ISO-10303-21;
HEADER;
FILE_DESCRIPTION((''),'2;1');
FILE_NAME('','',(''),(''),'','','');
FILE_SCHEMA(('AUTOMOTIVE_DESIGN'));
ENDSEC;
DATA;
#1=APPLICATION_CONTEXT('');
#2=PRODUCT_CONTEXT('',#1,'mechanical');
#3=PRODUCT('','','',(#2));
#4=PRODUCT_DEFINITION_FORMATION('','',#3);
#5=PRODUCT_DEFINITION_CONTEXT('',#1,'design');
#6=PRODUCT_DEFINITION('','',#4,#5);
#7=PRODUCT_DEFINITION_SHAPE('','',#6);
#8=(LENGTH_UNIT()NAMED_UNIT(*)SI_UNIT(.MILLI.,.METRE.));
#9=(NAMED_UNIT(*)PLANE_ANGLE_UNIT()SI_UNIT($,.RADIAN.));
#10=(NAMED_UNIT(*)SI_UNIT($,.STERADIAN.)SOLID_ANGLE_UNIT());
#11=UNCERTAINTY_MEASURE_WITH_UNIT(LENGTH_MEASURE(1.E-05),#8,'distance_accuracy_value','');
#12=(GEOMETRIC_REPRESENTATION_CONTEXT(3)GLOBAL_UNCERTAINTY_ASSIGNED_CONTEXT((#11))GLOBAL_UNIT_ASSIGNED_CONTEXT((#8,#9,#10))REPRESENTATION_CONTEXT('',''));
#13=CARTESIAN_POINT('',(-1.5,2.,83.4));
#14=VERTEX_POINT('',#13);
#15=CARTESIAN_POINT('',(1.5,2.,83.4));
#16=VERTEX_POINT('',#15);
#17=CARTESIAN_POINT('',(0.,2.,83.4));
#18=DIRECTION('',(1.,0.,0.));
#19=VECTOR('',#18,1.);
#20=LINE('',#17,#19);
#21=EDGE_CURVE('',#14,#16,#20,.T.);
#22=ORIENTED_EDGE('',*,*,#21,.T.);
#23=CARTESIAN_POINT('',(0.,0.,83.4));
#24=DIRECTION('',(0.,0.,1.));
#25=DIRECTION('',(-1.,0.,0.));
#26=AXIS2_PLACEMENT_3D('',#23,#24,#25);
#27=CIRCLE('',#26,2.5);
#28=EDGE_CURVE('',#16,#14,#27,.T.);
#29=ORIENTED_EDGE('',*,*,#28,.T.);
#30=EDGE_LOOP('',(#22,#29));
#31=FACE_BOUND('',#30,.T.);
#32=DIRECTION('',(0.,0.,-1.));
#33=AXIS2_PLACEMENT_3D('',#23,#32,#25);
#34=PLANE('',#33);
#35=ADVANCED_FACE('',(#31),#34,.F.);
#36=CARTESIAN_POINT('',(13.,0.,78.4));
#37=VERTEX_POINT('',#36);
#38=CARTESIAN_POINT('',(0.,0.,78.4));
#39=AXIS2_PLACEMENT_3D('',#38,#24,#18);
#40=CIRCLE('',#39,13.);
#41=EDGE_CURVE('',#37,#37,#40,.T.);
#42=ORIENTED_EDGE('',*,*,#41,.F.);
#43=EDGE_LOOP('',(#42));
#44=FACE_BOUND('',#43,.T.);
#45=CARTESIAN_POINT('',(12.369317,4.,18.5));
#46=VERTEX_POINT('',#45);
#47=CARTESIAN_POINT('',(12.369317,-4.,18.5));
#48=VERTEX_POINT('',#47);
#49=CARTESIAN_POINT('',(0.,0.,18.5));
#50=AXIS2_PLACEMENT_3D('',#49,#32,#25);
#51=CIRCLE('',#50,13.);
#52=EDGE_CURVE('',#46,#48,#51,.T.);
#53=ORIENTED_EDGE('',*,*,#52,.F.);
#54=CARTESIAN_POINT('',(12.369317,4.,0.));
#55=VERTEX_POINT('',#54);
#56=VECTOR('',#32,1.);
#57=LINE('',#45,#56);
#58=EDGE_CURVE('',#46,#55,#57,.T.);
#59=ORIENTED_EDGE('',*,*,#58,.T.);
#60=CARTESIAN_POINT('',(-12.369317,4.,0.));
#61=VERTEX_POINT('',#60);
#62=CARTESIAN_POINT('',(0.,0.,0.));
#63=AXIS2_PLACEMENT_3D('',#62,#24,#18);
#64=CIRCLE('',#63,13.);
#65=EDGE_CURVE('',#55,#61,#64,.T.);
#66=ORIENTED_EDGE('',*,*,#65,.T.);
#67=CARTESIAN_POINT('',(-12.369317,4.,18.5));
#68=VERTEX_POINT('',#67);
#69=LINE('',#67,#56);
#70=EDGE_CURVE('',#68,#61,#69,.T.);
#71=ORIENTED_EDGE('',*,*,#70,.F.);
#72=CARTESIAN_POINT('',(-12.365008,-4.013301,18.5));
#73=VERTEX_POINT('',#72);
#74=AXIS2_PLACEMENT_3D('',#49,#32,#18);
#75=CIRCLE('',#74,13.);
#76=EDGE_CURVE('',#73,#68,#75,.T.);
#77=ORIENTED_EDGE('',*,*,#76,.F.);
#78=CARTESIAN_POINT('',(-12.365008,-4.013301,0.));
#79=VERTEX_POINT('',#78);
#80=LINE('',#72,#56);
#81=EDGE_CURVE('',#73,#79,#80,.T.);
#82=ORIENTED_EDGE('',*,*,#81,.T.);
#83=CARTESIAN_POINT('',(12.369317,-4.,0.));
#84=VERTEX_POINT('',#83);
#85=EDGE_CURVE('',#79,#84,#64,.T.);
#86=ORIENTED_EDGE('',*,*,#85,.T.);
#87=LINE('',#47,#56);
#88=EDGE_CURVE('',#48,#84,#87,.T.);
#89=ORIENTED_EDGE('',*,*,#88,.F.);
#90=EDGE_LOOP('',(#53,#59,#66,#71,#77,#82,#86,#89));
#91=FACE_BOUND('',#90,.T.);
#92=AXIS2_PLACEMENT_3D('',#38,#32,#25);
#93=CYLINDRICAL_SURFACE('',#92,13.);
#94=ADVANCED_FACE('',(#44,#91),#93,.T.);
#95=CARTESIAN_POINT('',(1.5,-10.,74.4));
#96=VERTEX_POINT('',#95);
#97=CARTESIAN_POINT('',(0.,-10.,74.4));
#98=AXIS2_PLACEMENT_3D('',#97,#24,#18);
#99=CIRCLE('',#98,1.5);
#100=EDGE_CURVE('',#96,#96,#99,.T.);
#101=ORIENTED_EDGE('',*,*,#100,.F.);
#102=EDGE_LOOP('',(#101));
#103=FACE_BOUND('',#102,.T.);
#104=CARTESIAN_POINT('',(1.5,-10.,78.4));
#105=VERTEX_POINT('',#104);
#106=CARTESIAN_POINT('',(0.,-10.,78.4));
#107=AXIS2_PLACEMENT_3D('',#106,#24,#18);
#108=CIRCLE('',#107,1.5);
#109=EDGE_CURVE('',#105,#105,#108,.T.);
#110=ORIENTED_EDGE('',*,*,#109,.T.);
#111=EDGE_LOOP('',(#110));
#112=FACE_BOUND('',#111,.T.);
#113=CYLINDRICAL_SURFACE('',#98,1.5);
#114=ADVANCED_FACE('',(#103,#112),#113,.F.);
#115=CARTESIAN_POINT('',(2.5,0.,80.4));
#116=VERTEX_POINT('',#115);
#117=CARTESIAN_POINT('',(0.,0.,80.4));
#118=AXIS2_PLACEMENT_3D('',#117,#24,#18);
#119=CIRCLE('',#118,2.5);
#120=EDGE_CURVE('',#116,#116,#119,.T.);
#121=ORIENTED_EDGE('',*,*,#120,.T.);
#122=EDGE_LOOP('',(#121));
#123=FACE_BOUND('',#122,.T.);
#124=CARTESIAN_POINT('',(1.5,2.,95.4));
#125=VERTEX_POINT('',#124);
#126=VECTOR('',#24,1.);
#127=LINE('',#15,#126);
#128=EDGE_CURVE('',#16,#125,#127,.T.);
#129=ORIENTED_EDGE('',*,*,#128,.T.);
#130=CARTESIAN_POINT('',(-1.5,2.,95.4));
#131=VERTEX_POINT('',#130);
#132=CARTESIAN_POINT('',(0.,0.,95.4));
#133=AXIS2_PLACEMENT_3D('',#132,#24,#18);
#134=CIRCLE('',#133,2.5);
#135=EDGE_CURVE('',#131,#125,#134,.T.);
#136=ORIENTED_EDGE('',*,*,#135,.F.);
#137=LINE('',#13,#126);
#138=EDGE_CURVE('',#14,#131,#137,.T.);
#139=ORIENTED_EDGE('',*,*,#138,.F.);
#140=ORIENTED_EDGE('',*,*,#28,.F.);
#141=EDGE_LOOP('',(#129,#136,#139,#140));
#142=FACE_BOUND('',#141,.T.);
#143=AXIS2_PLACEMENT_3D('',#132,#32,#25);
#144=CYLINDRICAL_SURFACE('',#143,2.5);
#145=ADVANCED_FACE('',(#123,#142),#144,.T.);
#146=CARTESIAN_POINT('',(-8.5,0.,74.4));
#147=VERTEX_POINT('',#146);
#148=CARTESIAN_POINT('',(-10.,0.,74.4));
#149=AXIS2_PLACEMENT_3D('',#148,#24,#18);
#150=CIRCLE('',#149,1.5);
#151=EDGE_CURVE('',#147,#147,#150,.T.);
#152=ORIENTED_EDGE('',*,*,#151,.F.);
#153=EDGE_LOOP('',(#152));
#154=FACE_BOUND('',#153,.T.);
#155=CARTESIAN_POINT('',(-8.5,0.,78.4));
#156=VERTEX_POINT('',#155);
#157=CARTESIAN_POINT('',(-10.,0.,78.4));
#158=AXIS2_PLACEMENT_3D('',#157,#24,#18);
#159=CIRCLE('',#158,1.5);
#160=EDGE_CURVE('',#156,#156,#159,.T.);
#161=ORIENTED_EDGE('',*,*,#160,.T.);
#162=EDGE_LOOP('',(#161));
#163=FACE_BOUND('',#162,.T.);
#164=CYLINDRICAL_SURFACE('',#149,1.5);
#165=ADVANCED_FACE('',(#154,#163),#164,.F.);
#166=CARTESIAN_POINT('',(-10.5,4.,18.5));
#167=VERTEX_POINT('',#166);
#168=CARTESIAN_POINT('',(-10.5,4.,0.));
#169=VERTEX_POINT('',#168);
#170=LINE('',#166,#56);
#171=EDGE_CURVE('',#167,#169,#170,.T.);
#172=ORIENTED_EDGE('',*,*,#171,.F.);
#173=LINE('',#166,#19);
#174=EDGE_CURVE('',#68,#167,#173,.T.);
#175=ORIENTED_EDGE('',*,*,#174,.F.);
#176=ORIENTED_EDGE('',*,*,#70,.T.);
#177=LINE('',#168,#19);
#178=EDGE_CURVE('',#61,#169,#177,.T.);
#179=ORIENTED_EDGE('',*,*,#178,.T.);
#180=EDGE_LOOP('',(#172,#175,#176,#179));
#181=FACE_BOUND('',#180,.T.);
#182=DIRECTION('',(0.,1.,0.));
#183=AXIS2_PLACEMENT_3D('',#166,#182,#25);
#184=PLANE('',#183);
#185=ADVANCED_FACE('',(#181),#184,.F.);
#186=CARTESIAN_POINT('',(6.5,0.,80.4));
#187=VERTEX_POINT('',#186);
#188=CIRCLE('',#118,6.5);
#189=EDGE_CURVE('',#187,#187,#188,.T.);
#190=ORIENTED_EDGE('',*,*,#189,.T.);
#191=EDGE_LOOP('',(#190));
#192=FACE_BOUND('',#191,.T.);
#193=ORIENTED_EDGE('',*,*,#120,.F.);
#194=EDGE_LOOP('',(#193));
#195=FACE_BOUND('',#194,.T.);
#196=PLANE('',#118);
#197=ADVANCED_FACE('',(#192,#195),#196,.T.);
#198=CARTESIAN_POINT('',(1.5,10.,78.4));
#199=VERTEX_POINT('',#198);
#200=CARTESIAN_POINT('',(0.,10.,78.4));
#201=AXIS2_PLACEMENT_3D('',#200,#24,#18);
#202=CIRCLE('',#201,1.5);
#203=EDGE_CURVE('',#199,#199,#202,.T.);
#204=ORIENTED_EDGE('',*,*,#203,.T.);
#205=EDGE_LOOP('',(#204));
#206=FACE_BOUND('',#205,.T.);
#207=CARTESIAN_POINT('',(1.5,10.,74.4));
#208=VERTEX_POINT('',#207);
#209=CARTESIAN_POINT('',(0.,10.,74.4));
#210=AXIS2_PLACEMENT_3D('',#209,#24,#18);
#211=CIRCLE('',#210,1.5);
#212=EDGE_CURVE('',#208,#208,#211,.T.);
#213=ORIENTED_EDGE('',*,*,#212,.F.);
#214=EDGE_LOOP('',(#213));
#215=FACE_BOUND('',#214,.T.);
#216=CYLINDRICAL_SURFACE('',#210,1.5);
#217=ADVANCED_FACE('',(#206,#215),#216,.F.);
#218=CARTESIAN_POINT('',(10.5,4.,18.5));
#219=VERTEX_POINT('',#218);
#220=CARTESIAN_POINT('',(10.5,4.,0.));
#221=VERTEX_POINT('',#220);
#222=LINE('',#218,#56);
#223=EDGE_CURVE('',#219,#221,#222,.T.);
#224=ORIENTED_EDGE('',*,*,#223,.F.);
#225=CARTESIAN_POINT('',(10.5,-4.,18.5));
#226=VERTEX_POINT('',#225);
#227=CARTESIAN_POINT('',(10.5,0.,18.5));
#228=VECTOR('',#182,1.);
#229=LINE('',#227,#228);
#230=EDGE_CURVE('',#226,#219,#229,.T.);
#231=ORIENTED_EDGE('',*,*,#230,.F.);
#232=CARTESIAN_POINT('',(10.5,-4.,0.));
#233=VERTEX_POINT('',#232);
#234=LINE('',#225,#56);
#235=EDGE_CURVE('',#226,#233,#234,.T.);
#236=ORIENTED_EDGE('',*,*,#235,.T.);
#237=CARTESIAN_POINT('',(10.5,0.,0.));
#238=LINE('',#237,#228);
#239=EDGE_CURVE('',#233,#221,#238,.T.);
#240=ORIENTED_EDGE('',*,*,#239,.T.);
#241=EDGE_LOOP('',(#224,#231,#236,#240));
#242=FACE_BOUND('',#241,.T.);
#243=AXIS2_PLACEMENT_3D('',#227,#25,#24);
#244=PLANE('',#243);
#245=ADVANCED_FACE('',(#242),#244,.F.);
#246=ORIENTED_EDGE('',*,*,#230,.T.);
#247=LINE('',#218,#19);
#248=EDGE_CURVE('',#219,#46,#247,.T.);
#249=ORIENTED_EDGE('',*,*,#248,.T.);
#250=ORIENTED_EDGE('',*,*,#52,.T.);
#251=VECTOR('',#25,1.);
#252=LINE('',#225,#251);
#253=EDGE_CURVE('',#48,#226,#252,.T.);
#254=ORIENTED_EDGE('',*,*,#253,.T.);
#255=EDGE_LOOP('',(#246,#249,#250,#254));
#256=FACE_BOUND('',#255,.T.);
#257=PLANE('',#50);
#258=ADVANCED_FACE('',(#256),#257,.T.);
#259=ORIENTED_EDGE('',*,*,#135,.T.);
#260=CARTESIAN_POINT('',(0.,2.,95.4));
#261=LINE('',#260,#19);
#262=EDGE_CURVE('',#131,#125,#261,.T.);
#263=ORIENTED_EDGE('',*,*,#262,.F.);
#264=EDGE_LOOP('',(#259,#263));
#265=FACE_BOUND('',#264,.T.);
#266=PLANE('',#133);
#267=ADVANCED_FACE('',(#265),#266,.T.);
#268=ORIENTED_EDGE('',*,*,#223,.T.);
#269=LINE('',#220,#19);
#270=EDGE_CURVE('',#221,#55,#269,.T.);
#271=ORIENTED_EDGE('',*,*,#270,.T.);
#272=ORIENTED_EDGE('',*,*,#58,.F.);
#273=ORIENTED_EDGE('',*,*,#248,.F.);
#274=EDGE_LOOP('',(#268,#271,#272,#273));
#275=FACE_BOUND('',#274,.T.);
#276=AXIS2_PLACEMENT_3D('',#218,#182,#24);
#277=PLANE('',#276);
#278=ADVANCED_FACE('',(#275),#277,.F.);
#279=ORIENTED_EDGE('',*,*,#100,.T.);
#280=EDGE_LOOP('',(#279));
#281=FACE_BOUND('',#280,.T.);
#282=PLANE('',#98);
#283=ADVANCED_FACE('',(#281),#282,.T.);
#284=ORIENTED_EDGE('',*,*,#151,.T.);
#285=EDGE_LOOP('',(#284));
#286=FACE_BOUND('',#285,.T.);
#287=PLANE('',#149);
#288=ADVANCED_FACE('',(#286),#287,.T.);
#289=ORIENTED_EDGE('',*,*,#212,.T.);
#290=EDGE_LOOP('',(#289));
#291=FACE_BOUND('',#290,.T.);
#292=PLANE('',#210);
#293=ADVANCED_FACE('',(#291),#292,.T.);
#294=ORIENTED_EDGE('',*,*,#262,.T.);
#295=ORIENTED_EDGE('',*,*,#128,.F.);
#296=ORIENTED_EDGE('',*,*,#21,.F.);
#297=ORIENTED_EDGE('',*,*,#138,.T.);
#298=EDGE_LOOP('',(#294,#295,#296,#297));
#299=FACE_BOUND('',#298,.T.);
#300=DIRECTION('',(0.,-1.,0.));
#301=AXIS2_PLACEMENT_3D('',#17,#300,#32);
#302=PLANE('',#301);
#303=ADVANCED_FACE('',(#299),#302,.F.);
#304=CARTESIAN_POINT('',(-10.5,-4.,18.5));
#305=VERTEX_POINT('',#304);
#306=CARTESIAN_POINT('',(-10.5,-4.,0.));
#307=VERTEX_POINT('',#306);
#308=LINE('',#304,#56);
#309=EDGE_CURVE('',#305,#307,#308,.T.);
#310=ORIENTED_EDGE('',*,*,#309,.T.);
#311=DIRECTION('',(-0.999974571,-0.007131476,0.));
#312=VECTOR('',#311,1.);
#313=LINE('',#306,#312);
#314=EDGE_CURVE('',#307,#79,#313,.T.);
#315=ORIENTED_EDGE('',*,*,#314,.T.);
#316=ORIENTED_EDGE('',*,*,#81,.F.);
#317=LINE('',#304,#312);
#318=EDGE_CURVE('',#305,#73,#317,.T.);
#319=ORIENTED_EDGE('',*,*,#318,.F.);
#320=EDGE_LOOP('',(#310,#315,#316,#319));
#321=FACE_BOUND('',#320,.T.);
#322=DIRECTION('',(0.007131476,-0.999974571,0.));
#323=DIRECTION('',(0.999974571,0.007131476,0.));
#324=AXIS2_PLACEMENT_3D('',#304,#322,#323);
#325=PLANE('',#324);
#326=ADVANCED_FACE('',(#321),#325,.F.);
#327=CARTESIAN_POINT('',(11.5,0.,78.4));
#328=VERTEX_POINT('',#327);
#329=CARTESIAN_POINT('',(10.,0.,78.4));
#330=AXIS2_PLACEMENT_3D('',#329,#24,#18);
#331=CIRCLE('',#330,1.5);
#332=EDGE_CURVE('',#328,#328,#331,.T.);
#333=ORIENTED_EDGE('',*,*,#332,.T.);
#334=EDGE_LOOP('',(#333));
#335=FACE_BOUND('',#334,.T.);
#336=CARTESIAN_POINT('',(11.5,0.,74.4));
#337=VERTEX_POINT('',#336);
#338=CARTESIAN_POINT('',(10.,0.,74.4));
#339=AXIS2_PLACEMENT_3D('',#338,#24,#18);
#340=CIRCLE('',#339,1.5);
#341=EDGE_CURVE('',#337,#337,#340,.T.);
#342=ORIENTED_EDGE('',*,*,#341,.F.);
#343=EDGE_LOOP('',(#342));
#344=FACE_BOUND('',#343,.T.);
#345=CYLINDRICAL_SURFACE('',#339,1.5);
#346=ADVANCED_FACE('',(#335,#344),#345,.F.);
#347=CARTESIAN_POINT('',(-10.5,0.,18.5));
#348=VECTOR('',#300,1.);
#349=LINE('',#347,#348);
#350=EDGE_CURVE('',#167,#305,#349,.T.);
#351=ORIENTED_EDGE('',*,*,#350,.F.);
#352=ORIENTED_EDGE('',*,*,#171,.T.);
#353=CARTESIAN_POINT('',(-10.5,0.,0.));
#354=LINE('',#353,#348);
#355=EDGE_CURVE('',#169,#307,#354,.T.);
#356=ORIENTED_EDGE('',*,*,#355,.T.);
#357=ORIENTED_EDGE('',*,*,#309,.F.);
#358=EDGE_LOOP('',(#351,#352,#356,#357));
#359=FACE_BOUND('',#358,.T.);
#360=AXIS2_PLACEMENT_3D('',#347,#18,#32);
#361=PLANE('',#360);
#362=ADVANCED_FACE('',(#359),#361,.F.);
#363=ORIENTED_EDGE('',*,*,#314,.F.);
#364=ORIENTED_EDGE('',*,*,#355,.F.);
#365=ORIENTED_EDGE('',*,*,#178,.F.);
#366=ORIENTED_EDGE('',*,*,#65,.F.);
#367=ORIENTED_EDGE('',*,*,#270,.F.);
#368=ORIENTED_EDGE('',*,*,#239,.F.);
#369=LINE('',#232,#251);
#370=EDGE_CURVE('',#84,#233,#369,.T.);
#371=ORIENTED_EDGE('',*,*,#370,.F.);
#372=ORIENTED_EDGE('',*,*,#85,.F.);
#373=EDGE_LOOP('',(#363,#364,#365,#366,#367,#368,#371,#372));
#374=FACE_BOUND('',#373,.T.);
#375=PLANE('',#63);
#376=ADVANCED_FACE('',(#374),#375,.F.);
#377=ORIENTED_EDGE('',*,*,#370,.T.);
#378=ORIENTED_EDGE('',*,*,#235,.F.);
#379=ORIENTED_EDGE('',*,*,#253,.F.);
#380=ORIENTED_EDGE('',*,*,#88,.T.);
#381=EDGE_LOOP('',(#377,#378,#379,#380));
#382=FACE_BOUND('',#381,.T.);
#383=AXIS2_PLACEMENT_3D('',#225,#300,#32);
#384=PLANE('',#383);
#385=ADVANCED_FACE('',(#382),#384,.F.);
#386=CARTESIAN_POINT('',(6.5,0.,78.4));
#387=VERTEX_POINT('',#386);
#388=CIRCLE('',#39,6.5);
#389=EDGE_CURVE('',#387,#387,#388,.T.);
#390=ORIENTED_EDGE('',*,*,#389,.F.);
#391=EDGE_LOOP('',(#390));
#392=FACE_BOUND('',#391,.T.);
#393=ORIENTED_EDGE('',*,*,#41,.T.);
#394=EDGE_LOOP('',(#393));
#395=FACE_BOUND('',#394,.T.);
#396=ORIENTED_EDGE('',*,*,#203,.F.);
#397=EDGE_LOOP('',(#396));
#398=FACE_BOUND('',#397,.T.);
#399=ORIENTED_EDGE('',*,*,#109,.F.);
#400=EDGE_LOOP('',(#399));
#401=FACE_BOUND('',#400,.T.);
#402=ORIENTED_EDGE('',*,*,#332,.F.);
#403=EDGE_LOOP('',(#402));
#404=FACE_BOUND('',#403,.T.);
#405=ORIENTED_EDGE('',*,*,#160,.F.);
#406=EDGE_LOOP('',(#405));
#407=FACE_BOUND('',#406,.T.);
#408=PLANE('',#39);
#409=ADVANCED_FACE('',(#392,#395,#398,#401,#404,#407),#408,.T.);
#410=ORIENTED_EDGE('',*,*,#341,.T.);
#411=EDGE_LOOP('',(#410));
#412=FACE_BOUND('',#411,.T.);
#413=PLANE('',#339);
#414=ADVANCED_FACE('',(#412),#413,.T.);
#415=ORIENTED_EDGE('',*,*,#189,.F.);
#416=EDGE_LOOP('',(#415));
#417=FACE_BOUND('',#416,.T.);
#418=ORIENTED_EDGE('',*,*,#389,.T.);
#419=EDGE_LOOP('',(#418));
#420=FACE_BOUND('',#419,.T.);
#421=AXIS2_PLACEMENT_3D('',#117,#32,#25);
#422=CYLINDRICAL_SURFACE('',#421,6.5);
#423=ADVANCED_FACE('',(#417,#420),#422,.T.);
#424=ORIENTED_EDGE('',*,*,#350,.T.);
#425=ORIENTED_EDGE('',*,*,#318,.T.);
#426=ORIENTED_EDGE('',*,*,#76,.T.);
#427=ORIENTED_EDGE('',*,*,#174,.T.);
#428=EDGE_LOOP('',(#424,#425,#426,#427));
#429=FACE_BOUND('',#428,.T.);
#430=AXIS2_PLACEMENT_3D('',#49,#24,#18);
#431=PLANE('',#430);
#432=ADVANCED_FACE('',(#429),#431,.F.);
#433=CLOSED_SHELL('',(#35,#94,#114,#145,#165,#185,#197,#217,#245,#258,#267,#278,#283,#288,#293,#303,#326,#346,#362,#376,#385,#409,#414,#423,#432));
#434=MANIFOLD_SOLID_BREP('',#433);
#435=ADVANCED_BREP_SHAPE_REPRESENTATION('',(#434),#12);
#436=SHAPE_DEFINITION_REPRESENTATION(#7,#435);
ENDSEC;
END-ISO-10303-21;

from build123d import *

# Parameters (mm, degrees)
ESQUISSE1_R             = 13
BOSS_EXTRU_1_DEPTH      = 78.4
ESQUISSE2_R             = 2.5
BOSS_EXTRU_2_DEPTH      = 17
ENL_V_MAT_EXTRU_1_DEPTH = 18.5
ESQUISSE4_R             = 6.5
ESQUISSE4_R_2           = 2.5
BOSS_EXTRU_3_DEPTH      = 2
ESQUISSE5_R             = 1.5
ENL_V_MAT_EXTRU_2_DEPTH = 4
ENL_V_START             = -12
ENL_V_MAT_EXTRU_3_DEPTH = 12


with BuildPart() as part:
    # Esquisse1 → Boss.-Extru.1 (new body)
    with BuildSketch(Plane.XY):
        Circle(ESQUISSE1_R)
    extrude(amount=BOSS_EXTRU_1_DEPTH)

    # Esquisse2 → Boss.-Extru.2 (add)
    with BuildSketch(Plane.XY.offset(78.4)):
        Circle(ESQUISSE2_R)
    extrude(amount=BOSS_EXTRU_2_DEPTH)

    # Esquisse3 → Enlèv. mat.-Extru.1 (cut)
    with BuildSketch(Plane(origin=(0, 0, 0), x_dir=(-1, 0, 0), z_dir=(0, 0, -1))):
        with BuildLine():
            Line((-10.5, 0), (-10.5, 4))
            Line((-10.5, 4), (-12.369316877, 4))
            ThreePointArc((-12.369316877, 4), (-13, 0), (-12.369316877, -4))
            Line((-12.369316877, -4), (-10.5, -4))
            Line((-10.5, -4), (-10.5, 0))
        make_face()
        with BuildLine():
            Line((10.5, 0), (10.5, 4))
            Line((10.5, 4), (12.369316877, 4))
            ThreePointArc((12.369316877, 4), (12.99999812, -0.006990598), (12.365007817, -4.013300596))
            Line((12.365007817, -4.013300596), (10.5, -4))
            Line((10.5, -4), (10.5, 0))
        make_face()
    extrude(amount=-ENL_V_MAT_EXTRU_1_DEPTH, mode=Mode.SUBTRACT)

    # Esquisse4 → Boss.-Extru.3 (add)
    with BuildSketch(Plane.XY.offset(78.4)):
        Circle(ESQUISSE4_R)
        Circle(ESQUISSE4_R_2, mode=Mode.SUBTRACT)
    extrude(amount=BOSS_EXTRU_3_DEPTH)

    # Esquisse5 → Enlèv. mat.-Extru.2 (cut)
    with BuildSketch(Plane.XY.offset(78.4)):
        with Locations((0, 10)):
            Circle(ESQUISSE5_R)
        with Locations((-10, 0)):
            Circle(ESQUISSE5_R)
        with Locations((0, -10)):
            Circle(ESQUISSE5_R)
        with Locations((10, 0)):
            Circle(ESQUISSE5_R)
    extrude(amount=-ENL_V_MAT_EXTRU_2_DEPTH, mode=Mode.SUBTRACT)

    # Esquisse6 → Enlèv. mat.-Extru.3 (cut)
    with BuildSketch(Plane.XY.offset(95.4).offset(ENL_V_START)):
        with BuildLine():
            Line((0, 2), (1.5, 2))
            ThreePointArc((1.5, 2), (0, 2.5), (-1.5, 2))
            Line((-1.5, 2), (0, 2))
        make_face()
    extrude(amount=ENL_V_MAT_EXTRU_3_DEPTH, mode=Mode.SUBTRACT)


solid = part.part
